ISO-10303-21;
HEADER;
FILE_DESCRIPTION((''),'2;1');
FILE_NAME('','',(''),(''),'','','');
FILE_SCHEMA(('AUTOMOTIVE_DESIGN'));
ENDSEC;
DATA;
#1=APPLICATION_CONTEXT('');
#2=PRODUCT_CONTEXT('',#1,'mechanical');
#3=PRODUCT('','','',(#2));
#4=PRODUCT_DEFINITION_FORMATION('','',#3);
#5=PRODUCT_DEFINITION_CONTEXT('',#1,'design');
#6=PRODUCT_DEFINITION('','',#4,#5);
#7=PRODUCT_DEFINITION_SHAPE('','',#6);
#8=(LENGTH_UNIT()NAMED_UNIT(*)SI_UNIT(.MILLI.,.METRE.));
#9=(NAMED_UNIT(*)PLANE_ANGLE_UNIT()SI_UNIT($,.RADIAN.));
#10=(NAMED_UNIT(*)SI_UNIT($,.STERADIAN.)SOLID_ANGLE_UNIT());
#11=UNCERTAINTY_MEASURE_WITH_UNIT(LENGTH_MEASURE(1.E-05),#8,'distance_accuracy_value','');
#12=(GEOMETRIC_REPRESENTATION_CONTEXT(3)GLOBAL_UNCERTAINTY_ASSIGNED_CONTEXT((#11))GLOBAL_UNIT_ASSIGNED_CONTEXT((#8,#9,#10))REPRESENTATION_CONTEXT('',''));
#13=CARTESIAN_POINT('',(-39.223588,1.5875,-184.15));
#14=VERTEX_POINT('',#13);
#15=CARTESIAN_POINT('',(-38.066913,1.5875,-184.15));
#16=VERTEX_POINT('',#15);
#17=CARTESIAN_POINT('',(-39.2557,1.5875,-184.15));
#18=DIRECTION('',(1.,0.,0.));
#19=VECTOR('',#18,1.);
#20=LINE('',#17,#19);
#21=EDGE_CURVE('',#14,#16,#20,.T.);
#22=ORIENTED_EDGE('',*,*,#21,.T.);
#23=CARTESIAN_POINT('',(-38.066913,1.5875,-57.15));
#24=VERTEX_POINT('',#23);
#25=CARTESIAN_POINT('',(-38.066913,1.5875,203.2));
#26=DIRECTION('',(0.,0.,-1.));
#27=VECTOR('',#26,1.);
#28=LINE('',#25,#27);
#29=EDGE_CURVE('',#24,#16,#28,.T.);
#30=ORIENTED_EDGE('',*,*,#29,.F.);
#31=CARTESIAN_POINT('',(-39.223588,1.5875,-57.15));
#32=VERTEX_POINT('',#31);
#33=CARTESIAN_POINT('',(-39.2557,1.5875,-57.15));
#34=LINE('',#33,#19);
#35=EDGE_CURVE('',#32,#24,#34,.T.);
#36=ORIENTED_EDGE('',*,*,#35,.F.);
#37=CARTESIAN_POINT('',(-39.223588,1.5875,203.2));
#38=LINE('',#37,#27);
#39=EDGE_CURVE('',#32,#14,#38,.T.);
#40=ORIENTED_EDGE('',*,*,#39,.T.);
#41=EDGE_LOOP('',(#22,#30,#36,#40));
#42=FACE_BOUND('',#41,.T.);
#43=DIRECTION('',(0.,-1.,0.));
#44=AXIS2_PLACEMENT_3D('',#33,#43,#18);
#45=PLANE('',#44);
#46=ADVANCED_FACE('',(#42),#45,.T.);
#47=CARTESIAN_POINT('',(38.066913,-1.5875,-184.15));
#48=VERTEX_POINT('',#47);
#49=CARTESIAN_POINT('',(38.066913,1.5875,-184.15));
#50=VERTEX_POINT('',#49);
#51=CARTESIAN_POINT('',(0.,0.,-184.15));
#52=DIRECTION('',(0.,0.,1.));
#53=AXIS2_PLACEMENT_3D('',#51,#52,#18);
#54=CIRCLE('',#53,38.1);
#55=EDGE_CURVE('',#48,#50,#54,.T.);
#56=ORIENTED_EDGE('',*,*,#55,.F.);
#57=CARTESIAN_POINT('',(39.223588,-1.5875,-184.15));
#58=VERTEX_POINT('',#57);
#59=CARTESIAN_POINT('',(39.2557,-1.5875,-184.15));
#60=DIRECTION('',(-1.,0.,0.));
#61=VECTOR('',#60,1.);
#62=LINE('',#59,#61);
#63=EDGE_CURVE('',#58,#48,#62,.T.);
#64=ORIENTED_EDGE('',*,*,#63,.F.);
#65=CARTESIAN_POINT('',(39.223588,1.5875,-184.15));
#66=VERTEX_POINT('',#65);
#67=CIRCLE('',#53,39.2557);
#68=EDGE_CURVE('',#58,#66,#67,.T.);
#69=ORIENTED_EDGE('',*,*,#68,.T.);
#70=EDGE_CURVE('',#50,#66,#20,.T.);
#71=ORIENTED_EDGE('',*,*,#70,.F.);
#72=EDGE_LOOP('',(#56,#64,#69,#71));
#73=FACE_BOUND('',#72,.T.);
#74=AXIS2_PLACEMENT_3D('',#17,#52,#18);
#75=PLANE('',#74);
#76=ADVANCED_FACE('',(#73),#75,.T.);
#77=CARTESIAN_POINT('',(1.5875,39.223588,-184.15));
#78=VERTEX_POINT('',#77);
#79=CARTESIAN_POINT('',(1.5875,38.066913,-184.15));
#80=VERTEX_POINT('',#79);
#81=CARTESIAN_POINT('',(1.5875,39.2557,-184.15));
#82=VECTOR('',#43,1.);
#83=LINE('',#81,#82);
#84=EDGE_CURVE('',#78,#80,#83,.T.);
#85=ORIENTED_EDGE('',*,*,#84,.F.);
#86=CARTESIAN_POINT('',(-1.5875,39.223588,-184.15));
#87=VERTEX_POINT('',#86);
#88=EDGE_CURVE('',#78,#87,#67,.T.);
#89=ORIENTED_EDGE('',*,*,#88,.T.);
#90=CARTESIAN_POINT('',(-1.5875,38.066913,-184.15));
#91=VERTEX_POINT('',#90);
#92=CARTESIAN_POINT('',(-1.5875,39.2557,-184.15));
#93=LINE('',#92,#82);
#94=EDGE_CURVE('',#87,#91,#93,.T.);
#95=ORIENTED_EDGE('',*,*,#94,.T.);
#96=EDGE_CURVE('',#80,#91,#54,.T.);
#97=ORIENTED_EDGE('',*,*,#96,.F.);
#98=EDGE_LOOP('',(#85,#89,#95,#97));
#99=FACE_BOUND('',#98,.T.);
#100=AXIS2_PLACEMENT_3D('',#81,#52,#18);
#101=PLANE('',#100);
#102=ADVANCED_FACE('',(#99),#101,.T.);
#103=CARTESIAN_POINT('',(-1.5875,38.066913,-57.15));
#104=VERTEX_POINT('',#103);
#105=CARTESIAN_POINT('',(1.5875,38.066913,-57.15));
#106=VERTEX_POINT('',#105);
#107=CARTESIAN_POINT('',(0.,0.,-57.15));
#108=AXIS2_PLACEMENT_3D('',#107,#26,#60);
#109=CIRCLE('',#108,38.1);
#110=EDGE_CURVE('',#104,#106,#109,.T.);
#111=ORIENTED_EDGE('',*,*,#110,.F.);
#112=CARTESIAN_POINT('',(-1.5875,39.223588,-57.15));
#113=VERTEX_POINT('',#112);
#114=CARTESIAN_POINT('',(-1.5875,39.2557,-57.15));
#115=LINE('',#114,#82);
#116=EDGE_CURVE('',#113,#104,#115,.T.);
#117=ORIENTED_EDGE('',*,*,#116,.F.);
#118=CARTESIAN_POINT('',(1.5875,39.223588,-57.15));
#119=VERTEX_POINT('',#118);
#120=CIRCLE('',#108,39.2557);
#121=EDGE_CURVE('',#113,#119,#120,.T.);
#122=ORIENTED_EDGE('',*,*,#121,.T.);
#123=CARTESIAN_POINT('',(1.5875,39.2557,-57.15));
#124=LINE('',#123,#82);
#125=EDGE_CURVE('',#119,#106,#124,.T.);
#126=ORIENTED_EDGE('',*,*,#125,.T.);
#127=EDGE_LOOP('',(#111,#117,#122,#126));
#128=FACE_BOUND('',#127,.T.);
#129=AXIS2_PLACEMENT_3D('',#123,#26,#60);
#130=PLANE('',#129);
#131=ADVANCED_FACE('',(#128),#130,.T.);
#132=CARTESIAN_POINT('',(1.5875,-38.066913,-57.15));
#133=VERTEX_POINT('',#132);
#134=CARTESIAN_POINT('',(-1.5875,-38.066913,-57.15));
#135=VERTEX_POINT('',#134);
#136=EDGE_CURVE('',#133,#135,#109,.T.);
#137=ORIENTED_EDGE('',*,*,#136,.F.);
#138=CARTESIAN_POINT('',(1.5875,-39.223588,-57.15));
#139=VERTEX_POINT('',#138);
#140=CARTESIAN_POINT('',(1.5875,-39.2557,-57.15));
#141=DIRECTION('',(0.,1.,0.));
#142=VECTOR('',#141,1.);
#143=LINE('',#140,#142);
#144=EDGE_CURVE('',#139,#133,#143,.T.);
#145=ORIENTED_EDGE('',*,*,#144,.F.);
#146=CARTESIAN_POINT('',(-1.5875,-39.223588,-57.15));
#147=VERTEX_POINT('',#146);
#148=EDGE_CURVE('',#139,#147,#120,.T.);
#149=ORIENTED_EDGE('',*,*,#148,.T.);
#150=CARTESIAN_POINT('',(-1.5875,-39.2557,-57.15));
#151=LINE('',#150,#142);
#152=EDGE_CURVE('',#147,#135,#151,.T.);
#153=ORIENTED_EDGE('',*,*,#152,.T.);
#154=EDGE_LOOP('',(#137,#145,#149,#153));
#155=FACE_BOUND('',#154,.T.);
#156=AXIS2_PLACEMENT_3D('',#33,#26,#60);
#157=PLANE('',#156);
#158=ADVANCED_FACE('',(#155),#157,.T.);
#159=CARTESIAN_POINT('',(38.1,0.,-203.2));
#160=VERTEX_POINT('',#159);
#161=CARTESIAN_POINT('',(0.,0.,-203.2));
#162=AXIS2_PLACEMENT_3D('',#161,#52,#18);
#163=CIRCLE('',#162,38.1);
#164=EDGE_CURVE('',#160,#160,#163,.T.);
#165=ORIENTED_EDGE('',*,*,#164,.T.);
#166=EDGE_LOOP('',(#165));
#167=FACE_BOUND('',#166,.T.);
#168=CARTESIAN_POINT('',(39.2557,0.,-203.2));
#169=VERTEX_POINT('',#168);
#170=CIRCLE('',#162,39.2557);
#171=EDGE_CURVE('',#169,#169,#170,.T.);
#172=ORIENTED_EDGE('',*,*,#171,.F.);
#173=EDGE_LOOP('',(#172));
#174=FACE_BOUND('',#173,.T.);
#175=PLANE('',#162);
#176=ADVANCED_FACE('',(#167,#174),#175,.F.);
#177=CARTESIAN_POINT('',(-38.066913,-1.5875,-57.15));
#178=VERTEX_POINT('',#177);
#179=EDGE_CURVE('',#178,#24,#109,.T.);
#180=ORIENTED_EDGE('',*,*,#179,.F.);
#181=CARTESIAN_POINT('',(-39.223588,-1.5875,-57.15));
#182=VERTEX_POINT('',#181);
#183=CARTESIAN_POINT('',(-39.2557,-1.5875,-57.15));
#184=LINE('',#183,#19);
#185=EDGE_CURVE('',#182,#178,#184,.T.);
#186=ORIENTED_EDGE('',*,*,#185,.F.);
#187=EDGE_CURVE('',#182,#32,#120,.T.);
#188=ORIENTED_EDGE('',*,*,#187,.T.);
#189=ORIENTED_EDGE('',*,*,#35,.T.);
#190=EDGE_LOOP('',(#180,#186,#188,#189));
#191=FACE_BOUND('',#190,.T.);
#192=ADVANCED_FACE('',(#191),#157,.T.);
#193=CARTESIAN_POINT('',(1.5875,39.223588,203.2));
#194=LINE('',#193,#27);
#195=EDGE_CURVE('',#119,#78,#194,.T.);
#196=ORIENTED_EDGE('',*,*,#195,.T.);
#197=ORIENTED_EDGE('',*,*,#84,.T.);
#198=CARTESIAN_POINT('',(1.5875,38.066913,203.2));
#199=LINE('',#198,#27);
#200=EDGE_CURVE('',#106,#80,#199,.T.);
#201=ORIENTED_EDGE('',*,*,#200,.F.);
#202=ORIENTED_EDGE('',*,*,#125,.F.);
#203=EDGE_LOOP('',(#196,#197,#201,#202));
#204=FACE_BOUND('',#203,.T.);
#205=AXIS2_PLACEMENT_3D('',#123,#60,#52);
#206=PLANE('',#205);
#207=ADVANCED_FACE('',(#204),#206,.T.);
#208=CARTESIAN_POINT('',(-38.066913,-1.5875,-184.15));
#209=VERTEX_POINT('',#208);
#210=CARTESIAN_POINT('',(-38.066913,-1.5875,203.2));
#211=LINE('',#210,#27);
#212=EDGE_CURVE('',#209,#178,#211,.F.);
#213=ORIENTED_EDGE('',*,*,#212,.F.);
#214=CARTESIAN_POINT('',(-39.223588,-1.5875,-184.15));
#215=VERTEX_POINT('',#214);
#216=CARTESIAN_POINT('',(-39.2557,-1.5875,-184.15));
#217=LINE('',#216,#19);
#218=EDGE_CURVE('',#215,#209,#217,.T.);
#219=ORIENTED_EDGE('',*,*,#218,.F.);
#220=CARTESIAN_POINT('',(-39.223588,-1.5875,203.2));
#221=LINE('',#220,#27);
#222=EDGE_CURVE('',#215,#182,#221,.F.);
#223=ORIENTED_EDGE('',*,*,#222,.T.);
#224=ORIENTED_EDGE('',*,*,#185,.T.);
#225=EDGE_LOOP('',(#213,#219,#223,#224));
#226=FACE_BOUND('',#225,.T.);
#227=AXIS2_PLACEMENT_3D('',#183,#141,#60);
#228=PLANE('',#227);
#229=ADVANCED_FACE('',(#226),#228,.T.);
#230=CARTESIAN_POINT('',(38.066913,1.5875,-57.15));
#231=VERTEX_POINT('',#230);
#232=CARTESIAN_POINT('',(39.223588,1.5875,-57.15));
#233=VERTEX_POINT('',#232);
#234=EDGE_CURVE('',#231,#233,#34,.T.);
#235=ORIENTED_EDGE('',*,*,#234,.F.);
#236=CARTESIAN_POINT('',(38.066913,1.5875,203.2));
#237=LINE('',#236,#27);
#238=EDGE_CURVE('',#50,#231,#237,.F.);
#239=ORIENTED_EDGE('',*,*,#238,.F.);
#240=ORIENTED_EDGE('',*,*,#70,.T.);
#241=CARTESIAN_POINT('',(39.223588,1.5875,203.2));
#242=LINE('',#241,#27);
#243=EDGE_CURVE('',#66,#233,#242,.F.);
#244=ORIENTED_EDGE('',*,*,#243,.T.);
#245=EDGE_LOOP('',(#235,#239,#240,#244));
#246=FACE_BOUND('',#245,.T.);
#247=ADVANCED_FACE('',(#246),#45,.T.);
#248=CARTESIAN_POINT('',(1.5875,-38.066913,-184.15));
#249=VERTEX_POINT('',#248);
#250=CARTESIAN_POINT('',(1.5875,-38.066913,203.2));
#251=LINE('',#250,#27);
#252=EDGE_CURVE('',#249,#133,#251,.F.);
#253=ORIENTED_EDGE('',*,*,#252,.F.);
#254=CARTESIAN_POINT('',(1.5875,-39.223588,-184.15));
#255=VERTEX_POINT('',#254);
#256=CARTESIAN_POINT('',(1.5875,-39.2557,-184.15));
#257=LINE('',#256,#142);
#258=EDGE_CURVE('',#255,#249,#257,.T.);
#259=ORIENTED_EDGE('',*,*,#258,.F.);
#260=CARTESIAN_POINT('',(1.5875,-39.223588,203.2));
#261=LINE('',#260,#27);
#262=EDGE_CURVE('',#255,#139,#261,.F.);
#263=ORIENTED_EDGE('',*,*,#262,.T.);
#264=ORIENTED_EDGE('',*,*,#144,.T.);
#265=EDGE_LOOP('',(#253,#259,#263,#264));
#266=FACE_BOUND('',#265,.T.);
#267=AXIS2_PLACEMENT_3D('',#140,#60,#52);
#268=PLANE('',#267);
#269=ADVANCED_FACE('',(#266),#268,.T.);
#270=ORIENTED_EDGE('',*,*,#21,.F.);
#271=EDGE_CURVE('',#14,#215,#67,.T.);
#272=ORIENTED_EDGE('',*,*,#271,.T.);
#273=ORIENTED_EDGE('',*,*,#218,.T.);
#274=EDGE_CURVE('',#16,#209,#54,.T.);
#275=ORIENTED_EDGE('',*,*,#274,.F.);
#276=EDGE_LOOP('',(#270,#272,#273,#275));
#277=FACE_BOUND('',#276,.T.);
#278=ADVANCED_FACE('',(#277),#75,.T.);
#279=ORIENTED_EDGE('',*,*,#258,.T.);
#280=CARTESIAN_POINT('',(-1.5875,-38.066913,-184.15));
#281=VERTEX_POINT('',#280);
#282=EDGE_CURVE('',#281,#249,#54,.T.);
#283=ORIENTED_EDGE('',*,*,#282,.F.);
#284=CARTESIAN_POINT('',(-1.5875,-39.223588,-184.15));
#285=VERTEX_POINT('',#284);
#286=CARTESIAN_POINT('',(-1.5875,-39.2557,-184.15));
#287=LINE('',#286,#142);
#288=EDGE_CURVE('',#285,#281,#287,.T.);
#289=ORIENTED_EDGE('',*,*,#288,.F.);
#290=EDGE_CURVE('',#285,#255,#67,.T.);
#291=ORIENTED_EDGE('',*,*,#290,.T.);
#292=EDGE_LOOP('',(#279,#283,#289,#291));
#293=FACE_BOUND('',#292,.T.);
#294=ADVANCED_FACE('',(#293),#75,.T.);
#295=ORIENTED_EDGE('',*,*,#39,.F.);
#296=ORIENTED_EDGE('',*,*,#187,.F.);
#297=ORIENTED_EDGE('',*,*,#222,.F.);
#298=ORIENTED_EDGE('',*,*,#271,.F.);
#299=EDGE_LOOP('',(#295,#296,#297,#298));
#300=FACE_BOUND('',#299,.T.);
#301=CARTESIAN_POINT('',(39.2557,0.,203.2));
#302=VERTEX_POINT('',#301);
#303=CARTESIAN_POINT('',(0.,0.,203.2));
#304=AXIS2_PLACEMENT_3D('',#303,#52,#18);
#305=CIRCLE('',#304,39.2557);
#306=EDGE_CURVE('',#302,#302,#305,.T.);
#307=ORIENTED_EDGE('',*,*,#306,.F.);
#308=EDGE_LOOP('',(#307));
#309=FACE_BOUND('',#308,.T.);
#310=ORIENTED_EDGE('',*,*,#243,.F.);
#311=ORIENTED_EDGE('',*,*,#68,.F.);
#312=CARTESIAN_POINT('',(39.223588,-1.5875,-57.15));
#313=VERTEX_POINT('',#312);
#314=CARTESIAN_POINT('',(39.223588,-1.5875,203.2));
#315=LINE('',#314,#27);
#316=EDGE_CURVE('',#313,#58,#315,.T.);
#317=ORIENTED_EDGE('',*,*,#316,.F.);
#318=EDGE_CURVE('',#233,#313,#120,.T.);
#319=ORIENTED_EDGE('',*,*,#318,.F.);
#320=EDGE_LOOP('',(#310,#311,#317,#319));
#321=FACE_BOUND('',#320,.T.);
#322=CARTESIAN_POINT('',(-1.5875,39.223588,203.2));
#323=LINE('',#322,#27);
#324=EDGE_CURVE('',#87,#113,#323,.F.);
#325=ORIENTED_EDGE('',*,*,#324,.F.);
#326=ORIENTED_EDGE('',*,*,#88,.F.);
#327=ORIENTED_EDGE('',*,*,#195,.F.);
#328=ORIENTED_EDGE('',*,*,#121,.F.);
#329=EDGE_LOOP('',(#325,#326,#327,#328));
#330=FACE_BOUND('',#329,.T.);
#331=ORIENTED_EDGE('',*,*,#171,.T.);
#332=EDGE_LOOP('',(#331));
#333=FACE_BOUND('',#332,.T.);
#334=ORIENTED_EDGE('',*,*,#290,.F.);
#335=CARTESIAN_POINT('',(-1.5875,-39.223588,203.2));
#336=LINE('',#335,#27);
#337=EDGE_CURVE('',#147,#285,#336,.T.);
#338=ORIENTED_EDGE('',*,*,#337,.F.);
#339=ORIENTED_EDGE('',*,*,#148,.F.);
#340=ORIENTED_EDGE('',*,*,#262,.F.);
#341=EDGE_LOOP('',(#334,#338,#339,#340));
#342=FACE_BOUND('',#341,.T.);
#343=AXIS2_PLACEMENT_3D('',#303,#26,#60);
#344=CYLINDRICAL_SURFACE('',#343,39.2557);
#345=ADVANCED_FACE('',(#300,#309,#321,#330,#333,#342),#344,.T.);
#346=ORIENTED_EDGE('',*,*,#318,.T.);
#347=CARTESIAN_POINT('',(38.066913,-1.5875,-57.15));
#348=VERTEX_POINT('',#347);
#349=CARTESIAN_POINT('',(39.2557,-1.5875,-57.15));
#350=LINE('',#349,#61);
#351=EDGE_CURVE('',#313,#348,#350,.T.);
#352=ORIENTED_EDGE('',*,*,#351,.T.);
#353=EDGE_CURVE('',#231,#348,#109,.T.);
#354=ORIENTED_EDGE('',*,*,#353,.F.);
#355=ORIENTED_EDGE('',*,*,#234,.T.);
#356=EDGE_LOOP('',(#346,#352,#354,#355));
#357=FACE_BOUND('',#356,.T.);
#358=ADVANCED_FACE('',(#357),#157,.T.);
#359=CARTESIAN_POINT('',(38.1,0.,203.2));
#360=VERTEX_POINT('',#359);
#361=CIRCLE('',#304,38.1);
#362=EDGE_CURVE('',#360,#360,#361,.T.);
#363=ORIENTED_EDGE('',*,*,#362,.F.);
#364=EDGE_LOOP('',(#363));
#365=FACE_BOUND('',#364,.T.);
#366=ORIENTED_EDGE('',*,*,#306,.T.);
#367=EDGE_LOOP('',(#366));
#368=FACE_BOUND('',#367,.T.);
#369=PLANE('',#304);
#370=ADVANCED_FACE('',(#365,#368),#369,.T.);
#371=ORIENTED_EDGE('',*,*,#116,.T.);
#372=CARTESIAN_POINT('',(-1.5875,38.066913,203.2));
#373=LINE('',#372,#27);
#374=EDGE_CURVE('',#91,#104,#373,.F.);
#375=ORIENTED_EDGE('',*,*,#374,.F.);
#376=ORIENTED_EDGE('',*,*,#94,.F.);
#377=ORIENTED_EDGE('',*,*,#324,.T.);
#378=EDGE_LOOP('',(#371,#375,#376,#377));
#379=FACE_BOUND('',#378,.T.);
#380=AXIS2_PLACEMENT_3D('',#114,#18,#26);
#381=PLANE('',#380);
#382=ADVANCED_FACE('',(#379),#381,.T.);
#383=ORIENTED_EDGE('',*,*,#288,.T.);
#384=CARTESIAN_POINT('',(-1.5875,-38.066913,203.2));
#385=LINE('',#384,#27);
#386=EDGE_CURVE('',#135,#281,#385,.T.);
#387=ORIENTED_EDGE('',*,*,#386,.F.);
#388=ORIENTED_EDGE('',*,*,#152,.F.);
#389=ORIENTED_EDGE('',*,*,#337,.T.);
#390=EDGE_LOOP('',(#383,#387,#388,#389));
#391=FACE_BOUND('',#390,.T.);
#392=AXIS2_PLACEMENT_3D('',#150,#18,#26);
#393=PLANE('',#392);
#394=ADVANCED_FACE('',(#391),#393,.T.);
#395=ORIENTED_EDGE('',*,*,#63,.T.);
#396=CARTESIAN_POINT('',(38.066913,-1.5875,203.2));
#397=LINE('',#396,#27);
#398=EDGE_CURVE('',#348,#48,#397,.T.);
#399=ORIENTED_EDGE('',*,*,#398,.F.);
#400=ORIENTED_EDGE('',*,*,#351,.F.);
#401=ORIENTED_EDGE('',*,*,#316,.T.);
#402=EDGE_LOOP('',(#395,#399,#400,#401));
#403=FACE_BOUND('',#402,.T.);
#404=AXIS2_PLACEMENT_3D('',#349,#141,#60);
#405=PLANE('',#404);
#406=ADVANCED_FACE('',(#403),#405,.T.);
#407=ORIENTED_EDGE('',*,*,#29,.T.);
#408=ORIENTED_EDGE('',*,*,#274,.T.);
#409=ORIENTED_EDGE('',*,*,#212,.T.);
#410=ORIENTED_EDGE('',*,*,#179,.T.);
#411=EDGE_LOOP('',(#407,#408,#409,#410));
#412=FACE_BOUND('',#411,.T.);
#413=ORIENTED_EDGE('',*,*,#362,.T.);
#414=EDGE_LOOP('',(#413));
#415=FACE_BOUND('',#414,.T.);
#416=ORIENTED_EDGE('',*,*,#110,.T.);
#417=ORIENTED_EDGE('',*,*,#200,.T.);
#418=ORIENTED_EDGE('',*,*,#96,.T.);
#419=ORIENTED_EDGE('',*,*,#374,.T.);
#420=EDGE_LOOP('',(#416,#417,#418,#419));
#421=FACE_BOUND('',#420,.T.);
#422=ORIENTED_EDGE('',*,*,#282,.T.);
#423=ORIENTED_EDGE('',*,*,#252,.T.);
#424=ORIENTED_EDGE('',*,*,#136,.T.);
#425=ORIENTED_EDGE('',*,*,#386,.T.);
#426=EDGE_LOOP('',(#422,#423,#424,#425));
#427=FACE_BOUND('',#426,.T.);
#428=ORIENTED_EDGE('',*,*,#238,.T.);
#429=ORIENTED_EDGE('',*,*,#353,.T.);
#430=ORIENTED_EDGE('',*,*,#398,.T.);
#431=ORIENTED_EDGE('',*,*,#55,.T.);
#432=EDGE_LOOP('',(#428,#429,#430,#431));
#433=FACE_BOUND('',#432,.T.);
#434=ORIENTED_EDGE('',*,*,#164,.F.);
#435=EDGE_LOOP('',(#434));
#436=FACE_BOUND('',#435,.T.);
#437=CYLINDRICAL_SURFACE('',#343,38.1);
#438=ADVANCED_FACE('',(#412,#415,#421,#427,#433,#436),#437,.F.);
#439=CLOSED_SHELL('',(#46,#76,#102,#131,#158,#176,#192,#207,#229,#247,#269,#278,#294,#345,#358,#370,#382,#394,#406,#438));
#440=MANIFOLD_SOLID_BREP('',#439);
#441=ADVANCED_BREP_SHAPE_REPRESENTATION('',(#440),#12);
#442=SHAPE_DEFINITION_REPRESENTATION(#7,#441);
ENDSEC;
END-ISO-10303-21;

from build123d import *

# Parameters (mm, degrees)
SKETCH1_R           = 39.2557
SKETCH1_R_2         = 38.1
BOSS_EXTRUDE1_DEPTH = 203.2
SKETCH3_W           = 3.175
SKETCH3_H           = 127
CUT_EXTRUDE1_DEPTH  = 40.2557
CIRPATTERN1_COUNT   = 4


with BuildPart() as part:
    # Sketch1 → Boss-Extrude1 (new body, symmetric)
    with BuildSketch(Plane.XY):
        Circle(SKETCH1_R)
        Circle(SKETCH1_R_2, mode=Mode.SUBTRACT)
    extrude(amount=BOSS_EXTRUDE1_DEPTH, both=True)

    # Sketch3 → Cut-Extrude1 (cut, through all)
    with BuildSketch(Plane(origin=(0, 0, 0), x_dir=(1, 0, 0), z_dir=(0, 1, 0))):
        with Locations((0, 120.65)):
            Rectangle(SKETCH3_W, SKETCH3_H)
    cut_extrude1 = extrude(amount=CUT_EXTRUDE1_DEPTH, mode=Mode.SUBTRACT)

    # CirPattern1: Cut-Extrude1 ×4 about axis
    cirpattern1_axis = Axis((0, 0, 0), (0, 0, 1))
    for i in range(1, CIRPATTERN1_COUNT):
        add(cut_extrude1.rotate(cirpattern1_axis, i * 360 / CIRPATTERN1_COUNT), mode=Mode.SUBTRACT)


solid = part.part
